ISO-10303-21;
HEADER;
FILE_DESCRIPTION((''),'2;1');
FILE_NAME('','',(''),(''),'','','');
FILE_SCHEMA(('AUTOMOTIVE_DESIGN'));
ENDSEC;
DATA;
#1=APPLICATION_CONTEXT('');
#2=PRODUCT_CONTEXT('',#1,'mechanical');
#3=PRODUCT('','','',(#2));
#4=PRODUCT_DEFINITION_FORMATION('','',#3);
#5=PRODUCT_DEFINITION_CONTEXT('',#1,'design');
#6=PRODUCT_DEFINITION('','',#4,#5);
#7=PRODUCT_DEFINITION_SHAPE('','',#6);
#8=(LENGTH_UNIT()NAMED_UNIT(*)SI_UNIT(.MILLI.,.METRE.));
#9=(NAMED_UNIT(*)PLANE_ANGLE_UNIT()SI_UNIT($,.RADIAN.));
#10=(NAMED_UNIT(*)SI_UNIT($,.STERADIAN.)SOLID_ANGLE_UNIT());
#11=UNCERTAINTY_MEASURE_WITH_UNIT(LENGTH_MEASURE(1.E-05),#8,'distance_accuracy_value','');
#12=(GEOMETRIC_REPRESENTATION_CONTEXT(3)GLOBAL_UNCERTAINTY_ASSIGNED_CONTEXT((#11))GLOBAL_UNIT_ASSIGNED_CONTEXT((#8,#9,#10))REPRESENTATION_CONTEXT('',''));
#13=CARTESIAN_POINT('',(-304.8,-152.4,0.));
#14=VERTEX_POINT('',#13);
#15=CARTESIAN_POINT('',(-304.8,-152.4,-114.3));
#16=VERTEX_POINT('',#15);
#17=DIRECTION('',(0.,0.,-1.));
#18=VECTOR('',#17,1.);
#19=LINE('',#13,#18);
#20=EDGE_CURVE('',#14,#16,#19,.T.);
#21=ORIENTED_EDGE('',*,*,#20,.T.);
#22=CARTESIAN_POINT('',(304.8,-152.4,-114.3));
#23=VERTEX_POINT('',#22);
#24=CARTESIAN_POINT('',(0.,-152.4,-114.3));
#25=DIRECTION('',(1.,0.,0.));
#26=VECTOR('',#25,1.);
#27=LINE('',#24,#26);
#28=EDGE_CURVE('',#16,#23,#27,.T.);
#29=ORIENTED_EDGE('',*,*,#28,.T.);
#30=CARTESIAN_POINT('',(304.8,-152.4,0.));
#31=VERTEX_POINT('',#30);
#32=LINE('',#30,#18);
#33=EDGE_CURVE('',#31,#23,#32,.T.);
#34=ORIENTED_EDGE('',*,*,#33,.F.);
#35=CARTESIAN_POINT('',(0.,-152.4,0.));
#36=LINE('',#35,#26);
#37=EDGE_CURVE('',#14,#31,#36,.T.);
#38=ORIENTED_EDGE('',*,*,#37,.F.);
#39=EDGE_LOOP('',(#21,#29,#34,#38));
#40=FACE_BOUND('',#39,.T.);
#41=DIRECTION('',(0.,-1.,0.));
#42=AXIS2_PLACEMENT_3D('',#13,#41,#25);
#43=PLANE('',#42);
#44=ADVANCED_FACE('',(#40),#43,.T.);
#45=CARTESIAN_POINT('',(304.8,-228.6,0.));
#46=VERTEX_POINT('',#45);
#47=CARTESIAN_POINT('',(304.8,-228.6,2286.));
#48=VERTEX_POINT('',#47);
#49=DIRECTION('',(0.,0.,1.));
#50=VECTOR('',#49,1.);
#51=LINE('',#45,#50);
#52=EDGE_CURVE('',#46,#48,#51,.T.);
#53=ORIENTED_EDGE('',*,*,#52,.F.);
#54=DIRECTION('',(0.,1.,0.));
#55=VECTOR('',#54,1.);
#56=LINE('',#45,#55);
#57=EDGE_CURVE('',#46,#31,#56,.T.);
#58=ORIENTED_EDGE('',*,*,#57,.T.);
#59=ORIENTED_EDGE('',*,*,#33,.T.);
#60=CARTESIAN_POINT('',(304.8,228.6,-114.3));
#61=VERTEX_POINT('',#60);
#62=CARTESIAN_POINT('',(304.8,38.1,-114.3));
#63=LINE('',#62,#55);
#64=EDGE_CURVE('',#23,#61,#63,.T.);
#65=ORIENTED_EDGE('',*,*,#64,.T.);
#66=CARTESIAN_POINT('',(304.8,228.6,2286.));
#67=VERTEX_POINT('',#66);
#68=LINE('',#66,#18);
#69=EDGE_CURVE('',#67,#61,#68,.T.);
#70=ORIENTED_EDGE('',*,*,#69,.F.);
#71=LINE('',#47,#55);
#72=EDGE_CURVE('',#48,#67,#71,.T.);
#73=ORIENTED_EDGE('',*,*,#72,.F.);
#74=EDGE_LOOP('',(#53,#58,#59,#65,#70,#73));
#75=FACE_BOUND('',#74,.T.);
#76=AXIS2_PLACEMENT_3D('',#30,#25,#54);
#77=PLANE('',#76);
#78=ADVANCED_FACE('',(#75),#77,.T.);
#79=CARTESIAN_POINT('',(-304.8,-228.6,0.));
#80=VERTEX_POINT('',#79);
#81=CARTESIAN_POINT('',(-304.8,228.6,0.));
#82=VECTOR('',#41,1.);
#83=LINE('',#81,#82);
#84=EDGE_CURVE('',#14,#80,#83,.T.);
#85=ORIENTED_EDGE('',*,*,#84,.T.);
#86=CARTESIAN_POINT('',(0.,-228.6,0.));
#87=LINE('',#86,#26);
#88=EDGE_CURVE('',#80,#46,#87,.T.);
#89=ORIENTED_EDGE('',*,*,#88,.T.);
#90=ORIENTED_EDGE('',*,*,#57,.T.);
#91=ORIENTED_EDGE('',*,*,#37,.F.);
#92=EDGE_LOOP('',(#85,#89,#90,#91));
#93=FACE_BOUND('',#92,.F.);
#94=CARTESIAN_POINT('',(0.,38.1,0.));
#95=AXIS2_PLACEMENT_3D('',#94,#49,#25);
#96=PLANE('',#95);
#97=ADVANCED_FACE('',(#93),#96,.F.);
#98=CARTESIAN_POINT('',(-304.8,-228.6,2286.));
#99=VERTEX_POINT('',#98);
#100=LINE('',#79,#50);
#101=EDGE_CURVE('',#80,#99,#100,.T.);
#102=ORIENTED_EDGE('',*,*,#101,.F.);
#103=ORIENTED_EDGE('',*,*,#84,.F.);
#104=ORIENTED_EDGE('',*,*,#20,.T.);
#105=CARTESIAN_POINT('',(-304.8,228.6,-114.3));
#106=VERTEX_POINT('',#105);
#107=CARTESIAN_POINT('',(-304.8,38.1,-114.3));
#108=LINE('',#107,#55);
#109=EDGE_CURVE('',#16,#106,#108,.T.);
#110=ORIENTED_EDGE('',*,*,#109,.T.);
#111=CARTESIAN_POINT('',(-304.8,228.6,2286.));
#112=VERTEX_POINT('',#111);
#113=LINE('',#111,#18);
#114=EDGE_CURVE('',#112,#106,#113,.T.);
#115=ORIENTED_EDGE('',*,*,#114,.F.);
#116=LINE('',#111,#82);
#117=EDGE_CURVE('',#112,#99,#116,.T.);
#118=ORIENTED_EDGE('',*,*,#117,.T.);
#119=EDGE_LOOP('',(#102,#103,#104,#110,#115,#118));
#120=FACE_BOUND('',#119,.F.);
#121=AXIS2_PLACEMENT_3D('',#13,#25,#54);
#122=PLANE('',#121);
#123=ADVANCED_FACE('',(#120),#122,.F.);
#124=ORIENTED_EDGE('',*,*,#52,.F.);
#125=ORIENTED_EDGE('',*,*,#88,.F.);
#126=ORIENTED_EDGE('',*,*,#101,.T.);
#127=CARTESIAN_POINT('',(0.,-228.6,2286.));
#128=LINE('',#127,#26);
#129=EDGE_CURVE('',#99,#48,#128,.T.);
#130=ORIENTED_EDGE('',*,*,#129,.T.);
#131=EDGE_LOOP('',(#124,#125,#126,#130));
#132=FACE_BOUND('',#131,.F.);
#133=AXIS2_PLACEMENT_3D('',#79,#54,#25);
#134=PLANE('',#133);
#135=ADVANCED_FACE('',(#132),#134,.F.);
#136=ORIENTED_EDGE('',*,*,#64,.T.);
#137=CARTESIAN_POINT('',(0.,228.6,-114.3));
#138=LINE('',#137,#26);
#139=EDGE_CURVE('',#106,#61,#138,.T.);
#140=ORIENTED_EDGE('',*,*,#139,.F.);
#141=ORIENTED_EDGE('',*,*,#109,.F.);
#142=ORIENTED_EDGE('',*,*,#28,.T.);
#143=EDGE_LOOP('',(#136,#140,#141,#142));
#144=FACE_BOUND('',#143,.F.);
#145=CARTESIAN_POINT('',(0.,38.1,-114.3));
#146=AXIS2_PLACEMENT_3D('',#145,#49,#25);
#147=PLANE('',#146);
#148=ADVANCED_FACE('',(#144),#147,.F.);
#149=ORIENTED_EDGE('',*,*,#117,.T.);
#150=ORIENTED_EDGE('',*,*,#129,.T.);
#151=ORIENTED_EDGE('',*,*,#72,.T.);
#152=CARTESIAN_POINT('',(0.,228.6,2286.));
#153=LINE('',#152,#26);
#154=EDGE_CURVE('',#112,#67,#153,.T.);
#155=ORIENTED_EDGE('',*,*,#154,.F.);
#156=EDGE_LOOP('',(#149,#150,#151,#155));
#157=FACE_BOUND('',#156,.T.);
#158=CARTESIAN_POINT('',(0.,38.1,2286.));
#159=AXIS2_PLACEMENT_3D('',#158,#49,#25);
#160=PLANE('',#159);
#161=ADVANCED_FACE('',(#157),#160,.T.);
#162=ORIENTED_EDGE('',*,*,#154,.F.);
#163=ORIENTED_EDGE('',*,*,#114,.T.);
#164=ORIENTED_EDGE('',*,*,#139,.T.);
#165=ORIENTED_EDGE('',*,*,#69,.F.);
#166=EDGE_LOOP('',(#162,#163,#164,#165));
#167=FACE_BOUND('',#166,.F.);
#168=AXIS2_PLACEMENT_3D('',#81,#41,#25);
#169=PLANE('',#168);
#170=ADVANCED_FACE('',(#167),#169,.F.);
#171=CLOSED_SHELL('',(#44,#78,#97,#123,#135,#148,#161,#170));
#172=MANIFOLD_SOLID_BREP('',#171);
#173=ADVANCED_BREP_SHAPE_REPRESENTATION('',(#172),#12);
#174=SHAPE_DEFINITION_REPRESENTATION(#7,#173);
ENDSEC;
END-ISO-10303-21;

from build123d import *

# Parameters (mm, degrees)
F0_W     = 609.6
F0_H     = 381
F0_H_2   = 76.2
F1_DEPTH = 2286
F2_DEPTH = 114.3


with BuildPart() as f1:
    # F0 (on Top) → F1 (new body)
    with BuildSketch(Plane.XY):
        with Locations((0, 38.1)):
            Rectangle(F0_W, F0_H)
        with Locations((0, -190.5)):
            Rectangle(F0_W, F0_H_2)
    extrude(amount=F1_DEPTH)

    # F0 (on Top) → F2 (join)
    with BuildSketch(Plane.XY):
        with Locations((0, 38.1)):
            Rectangle(F0_W, F0_H)
    extrude(amount=-F2_DEPTH)


solid = f1.part
